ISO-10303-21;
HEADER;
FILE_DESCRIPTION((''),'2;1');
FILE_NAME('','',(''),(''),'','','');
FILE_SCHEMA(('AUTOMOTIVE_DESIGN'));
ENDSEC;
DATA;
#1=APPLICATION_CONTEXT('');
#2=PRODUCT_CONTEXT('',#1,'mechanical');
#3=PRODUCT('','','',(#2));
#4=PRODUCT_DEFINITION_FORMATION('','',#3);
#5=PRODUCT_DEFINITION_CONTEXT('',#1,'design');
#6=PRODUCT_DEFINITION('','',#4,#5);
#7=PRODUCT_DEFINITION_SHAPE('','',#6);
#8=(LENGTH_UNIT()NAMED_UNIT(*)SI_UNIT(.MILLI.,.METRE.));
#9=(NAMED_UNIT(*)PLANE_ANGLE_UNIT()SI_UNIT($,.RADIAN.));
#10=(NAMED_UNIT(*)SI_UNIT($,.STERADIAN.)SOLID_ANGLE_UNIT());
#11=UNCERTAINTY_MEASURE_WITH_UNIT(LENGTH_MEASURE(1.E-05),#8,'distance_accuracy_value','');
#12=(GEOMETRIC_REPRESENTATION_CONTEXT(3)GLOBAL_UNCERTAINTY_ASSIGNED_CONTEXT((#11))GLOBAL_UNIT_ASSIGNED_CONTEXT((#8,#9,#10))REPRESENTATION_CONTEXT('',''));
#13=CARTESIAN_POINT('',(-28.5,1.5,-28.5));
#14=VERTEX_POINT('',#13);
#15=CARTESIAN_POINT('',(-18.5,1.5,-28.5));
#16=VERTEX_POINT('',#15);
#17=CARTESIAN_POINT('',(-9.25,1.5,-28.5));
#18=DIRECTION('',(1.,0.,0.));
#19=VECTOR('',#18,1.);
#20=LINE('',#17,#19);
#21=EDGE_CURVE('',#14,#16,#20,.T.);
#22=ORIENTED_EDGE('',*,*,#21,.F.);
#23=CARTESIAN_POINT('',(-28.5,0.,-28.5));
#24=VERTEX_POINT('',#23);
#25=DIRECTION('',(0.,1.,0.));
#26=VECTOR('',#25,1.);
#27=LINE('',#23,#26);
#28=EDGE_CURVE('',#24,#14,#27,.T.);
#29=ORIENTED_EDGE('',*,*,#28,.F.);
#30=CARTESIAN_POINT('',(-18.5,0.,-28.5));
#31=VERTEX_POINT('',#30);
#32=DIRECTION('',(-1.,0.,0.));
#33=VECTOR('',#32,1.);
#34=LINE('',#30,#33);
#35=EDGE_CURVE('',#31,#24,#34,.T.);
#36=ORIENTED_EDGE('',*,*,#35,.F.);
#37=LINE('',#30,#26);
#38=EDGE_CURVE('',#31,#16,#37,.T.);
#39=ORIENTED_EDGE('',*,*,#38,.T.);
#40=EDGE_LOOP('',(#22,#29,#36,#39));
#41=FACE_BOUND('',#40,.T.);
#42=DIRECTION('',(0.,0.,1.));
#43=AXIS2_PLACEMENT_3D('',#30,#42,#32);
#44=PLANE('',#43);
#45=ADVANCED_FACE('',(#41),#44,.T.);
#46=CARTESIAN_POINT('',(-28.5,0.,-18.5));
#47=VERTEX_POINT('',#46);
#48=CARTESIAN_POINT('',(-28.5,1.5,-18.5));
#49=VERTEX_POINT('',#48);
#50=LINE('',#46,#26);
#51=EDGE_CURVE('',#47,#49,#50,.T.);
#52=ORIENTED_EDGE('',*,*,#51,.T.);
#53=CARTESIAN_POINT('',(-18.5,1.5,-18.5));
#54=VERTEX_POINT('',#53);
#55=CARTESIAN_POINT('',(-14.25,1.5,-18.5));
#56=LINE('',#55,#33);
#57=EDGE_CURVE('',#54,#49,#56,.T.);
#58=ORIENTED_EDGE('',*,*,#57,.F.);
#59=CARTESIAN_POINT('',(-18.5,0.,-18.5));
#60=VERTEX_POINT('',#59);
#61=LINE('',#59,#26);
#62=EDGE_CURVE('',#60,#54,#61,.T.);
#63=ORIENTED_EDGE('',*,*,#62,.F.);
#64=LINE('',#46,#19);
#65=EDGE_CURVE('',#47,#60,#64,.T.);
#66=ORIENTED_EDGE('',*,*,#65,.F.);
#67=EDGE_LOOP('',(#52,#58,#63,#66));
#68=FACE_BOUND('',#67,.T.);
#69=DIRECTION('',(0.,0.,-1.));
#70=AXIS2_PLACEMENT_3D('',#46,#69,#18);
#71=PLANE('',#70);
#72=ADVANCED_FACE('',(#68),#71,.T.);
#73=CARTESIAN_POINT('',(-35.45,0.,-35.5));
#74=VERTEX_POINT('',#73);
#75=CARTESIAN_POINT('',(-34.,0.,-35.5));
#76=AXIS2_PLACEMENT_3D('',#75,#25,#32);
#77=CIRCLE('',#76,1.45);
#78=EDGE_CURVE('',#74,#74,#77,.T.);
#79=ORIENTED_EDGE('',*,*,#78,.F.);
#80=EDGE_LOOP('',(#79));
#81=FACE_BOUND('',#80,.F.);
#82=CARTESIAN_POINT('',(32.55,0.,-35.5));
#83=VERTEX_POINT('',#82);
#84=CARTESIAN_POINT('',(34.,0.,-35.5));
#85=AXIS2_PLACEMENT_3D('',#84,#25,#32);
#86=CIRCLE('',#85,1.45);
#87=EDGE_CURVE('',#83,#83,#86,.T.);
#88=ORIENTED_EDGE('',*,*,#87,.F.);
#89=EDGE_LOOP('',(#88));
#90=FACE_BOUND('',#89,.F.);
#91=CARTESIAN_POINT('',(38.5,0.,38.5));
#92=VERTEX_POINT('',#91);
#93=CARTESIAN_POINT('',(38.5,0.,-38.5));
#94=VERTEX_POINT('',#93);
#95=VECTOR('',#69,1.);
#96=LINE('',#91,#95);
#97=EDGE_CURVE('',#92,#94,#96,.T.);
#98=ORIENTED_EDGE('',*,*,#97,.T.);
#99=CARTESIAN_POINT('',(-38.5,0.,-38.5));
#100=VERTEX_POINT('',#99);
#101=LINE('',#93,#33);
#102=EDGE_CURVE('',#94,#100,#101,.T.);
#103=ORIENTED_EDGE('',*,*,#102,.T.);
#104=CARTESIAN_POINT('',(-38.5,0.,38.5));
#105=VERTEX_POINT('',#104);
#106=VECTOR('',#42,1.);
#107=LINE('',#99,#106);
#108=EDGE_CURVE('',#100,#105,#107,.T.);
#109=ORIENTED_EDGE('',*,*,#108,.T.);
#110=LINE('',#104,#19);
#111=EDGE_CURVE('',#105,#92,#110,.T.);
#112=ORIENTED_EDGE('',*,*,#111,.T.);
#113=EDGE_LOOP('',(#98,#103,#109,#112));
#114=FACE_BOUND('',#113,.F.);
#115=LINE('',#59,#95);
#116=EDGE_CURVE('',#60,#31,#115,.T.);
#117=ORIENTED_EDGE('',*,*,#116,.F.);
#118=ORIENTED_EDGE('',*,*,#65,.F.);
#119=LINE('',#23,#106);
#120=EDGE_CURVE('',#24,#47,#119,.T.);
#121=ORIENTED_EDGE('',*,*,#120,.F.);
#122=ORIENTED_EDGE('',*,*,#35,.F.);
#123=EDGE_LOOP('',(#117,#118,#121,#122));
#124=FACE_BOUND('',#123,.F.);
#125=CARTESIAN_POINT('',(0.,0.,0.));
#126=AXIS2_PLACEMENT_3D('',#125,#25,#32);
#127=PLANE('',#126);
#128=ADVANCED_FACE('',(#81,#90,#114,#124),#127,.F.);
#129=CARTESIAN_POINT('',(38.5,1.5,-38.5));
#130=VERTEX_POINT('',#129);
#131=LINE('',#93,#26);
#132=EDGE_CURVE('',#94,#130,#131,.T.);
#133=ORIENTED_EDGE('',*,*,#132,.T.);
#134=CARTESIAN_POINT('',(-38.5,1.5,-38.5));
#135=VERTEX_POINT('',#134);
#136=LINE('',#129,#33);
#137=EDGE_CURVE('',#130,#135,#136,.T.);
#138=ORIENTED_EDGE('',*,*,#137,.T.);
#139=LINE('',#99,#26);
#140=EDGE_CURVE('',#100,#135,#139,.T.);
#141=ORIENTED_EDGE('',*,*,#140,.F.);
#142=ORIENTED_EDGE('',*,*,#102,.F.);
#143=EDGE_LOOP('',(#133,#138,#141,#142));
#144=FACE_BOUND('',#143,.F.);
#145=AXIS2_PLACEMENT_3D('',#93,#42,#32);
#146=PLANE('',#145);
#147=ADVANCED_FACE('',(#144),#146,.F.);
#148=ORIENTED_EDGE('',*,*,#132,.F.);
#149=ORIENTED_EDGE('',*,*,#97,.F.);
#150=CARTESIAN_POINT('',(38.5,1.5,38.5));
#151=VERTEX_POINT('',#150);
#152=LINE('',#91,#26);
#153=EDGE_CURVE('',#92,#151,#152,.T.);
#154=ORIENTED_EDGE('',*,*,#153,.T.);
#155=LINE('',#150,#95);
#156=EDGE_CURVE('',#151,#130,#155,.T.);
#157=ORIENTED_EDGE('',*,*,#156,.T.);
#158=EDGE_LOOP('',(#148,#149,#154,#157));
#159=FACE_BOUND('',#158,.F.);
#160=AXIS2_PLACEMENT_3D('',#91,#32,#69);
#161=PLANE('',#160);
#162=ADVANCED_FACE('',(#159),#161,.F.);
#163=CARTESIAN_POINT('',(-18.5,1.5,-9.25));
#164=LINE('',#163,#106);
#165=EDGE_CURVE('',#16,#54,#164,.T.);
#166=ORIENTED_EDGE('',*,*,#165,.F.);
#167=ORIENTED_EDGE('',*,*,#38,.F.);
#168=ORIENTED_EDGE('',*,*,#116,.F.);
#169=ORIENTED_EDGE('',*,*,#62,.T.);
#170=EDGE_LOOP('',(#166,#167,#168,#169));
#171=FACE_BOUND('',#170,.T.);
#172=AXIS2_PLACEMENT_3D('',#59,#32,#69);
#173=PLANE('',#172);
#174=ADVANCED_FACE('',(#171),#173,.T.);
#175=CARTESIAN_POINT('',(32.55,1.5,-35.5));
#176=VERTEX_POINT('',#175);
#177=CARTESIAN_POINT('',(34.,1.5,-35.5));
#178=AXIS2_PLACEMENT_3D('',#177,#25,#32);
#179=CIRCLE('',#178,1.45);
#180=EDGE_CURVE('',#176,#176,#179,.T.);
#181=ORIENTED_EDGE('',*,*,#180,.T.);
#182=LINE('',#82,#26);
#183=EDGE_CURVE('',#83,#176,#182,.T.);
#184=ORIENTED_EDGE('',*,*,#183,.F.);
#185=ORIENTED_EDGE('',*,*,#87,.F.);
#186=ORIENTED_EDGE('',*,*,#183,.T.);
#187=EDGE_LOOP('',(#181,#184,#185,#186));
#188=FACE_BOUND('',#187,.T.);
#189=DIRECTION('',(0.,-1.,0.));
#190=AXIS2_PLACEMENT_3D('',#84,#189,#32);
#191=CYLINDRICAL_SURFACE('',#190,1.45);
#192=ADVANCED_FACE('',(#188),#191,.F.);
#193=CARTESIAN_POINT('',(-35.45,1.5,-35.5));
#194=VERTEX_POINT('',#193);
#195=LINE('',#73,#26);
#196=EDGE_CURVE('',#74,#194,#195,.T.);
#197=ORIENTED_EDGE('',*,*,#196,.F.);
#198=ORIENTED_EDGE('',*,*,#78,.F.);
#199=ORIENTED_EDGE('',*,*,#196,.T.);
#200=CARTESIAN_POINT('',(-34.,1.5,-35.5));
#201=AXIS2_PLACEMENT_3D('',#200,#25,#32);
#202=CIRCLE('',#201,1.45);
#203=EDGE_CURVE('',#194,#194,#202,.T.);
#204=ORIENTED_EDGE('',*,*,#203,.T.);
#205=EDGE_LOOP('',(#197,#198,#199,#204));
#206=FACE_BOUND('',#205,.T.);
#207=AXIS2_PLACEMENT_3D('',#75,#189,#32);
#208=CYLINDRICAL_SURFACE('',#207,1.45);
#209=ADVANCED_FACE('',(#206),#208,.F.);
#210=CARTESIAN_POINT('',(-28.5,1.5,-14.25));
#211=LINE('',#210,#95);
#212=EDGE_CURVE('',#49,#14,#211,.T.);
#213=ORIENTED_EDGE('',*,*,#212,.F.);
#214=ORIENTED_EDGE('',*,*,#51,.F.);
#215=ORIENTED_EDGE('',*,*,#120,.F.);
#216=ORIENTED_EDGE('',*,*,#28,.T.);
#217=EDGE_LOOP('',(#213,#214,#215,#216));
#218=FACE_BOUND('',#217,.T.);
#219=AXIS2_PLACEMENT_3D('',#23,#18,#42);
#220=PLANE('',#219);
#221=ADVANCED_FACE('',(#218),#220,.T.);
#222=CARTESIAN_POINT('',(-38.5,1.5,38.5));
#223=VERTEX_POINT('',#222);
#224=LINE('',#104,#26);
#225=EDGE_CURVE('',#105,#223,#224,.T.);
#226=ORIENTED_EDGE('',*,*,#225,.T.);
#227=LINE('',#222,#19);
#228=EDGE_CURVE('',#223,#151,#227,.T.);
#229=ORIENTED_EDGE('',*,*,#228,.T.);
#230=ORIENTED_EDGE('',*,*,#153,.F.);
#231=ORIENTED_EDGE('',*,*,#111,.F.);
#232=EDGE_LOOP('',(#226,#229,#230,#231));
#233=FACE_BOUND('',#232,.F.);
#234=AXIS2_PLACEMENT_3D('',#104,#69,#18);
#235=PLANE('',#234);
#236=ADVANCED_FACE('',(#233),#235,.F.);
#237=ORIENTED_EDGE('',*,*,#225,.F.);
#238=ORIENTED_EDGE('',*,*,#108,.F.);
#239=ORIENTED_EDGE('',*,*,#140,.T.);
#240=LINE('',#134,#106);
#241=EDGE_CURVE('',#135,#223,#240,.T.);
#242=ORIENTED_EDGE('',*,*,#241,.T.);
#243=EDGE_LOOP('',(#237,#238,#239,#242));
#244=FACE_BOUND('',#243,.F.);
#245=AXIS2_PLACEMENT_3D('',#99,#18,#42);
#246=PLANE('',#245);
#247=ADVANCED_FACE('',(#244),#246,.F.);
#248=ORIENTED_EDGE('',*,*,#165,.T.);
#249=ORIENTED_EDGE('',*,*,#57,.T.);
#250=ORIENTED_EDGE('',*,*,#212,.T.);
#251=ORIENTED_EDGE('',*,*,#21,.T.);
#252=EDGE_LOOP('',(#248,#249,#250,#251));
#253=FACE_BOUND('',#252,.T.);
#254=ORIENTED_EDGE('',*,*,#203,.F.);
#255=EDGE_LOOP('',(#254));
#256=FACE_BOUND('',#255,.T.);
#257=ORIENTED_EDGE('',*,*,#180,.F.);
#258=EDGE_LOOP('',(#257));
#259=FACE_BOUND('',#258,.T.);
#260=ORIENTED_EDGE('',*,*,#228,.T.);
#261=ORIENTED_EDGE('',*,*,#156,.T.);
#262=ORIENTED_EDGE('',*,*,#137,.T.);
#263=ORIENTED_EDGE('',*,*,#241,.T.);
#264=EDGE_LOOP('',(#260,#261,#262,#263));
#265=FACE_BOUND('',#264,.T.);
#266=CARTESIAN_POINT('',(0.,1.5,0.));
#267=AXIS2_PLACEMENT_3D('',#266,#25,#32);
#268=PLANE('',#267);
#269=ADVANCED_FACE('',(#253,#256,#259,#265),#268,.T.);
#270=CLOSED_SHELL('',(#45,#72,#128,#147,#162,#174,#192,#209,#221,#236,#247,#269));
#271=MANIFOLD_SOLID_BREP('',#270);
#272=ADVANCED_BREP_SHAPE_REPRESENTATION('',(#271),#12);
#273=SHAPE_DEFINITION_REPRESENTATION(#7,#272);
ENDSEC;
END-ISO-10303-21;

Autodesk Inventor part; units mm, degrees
ref_plane "YZ Plane" through (0, 0, 0) normal (1, 0, 0) x (0, 1, 0)
ref_plane "XZ Plane" through (0, 0, 0) normal (0, 1, 0) x (-1, 0, 0)
ref_plane "XY Plane" through (0, 0, 0) normal (0, 0, 1) x (1, 0, 0)
sketch "Sketch1" plane through (0, 0, 0) normal (0, 1, 0) x (-1, 0, 0)
  line L0 (38.5, 38.5) -> (-38.5, 38.5)
  line L1 (-38.5, 38.5) -> (-38.5, -38.5)
  line L2 (-38.5, -38.5) -> (38.5, -38.5)
  line L3 (38.5, -38.5) -> (38.5, 38.5)
  line L4 (38.5, 38.5) -> (-38.5, -38.5) construction
  line L5 (-38.5, 38.5) -> (38.5, -38.5) construction
  point P0 (0, 0)
  dimension "d0" = 77
  dimension "d1" = 77
extrude "Extrusion1" add sketch "Sketch1" along normal blind 1.5
sketch "Sketch2" plane through (0, 0, 0) normal (0, 1, 0) x (-1, 0, 0)
  circle A0 centre (-34, -35.5) radius 1.45
  line L0 (-34, -35.5) -> (-38.5, -35.5) construction
  line L1 (-38.5, 38.5) -> (-38.5, -38.5) construction
  line L2 (-34, -35.5) -> (-34, -38.5) construction
  line L3 (-38.5, -38.5) -> (38.5, -38.5) construction
  line L4 (0, 0) -> (0, -38.5) construction
  line L5 (-38.5, -38.5) -> (38.5, -38.5) construction
  circle A1 centre (34, -35.5) radius 1.45
  line L6 (34, -35.5) -> (38.5, -35.5) construction
  line L7 (34, -35.5) -> (34, -38.5) construction
  dimension "d4" = 2.9
  dimension "d5" = 4.5
  dimension "d6" = 3
extrude "Extrusion2" cut sketch "Sketch2" along normal blind 1.5
sketch "Sketch3" plane through (0, 0, 0) normal (0, 1, 0) x (-1, 0, 0)
  line L0 (18.5, -28.5) -> (28.5, -28.5)
  line L1 (28.5, -28.5) -> (28.5, -18.5)
  line L2 (28.5, -18.5) -> (18.5, -18.5)
  line L3 (18.5, -18.5) -> (18.5, -28.5)
  line L4 (-38.5, -38.5) -> (38.5, -38.5) projected
  line L5 (38.5, -38.5) -> (38.5, 38.5) projected
  point P0 (0, 0)
  dimension "d9" = 10
  dimension "d10" = 10
  dimension "d11" = 10
  dimension "d12" = 10
extrude "Extrusion3" cut sketch "Sketch3" along normal blind 10
properties part number "teensy_box_lid"
